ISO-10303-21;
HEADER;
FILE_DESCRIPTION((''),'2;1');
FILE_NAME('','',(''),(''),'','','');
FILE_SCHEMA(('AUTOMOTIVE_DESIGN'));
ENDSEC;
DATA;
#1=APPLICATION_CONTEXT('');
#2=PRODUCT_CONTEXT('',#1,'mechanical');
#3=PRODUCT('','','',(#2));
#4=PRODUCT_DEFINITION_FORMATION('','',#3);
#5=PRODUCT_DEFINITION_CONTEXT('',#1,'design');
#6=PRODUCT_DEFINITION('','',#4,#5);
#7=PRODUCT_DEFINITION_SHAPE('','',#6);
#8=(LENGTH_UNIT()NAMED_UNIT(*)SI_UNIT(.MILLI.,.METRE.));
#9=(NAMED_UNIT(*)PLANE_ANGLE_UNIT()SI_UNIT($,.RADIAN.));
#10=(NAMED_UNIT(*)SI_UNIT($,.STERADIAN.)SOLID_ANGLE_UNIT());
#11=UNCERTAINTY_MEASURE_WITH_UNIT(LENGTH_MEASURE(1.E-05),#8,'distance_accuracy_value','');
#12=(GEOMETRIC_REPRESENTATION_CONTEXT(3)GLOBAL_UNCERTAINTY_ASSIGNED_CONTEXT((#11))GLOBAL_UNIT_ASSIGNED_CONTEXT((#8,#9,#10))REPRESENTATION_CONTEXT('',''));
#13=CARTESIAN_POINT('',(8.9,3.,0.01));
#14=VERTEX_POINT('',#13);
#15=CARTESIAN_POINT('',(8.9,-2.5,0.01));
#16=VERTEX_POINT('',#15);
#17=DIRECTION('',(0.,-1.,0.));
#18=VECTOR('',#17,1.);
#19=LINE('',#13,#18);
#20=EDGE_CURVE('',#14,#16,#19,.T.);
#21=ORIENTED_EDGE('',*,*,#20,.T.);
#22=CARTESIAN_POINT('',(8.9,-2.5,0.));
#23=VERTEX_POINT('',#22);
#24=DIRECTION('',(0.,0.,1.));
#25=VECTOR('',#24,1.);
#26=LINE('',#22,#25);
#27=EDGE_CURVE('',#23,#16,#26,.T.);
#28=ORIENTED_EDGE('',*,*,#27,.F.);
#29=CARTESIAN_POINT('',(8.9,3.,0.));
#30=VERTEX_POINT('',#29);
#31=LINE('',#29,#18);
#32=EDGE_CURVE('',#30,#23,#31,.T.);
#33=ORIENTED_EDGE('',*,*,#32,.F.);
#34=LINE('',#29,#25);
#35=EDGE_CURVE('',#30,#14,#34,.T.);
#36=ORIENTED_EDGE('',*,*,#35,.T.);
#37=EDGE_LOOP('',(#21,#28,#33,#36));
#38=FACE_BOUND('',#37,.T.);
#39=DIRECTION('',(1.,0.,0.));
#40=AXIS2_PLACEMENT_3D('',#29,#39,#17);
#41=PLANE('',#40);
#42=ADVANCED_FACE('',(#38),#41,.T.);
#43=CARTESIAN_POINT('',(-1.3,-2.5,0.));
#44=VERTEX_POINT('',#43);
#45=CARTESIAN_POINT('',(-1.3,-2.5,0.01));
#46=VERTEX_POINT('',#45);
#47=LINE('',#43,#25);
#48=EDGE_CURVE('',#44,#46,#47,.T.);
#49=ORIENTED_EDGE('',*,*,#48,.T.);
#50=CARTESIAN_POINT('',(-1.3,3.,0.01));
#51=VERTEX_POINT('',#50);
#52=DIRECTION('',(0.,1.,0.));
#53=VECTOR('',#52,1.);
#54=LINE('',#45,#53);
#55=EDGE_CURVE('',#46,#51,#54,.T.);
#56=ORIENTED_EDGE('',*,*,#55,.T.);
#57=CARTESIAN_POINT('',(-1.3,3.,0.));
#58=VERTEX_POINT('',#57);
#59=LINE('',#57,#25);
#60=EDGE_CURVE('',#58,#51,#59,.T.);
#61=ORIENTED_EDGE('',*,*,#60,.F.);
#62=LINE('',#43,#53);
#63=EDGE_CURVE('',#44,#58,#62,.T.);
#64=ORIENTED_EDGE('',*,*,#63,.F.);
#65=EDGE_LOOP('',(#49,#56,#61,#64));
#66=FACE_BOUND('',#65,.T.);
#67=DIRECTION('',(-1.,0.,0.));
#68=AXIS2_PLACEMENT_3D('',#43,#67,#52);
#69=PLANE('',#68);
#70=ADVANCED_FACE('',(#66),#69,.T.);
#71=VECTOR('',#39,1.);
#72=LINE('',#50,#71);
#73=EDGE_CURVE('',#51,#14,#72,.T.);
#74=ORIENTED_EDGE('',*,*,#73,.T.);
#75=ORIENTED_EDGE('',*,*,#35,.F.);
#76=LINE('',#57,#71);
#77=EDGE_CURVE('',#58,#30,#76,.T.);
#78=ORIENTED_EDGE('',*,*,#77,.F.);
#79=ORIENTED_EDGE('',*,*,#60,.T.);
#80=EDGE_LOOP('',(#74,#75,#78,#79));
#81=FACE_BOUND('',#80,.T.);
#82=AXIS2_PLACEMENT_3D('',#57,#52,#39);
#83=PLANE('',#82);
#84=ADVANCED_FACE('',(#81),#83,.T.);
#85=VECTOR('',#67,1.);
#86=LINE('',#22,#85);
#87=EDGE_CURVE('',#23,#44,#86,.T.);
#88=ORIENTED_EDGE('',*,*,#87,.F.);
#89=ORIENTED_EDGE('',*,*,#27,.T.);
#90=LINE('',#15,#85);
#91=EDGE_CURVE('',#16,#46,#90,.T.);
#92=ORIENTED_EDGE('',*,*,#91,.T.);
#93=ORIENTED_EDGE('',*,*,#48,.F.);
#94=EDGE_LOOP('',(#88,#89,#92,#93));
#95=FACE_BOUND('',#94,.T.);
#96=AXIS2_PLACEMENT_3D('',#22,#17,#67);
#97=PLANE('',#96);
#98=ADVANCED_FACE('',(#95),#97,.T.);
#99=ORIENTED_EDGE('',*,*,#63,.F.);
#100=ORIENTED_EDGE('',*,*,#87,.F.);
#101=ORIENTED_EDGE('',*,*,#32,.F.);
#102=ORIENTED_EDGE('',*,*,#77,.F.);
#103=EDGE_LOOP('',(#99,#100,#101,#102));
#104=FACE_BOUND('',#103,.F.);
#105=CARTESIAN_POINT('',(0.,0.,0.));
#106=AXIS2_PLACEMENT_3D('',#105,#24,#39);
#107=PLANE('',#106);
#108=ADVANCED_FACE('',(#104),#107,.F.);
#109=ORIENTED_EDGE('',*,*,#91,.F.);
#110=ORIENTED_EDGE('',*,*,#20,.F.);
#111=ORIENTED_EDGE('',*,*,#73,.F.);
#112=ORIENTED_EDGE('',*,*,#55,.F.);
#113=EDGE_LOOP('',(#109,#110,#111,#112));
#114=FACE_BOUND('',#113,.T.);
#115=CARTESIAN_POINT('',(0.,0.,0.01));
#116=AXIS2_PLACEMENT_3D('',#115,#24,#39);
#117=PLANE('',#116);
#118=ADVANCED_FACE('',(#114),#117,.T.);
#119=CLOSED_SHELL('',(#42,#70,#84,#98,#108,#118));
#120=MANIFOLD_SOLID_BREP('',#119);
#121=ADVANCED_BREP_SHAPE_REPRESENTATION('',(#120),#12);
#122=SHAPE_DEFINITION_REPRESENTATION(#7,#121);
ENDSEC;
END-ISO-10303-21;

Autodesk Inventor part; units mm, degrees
ref_plane "YZ Plane" through (0, 0, 0) normal (1, 0, 0) x (0, 1, 0)
ref_plane "XZ Plane" through (0, 0, 0) normal (0, 1, 0) x (-1, 0, 0)
ref_plane "XY Plane" through (0, 0, 0) normal (0, 0, 1) x (1, 0, 0)
sketch "MOLEX-1X4, M04POLAR_1" plane through (0, 0, 0) normal (0, 0, 1) x (1, 0, 0)
  line L0 (-1.3, -2.5) -> (-1.3, 3)
  line L1 (-1.3, 3) -> (8.9, 3)
  line L2 (8.9, 3) -> (8.9, -2.5)
  line L3 (8.9, -2.5) -> (-1.3, -2.5)
extrude "Extrusion1" add sketch "MOLEX-1X4, M04POLAR_1" along normal blind 0.01
properties part number "M04POLAR"
